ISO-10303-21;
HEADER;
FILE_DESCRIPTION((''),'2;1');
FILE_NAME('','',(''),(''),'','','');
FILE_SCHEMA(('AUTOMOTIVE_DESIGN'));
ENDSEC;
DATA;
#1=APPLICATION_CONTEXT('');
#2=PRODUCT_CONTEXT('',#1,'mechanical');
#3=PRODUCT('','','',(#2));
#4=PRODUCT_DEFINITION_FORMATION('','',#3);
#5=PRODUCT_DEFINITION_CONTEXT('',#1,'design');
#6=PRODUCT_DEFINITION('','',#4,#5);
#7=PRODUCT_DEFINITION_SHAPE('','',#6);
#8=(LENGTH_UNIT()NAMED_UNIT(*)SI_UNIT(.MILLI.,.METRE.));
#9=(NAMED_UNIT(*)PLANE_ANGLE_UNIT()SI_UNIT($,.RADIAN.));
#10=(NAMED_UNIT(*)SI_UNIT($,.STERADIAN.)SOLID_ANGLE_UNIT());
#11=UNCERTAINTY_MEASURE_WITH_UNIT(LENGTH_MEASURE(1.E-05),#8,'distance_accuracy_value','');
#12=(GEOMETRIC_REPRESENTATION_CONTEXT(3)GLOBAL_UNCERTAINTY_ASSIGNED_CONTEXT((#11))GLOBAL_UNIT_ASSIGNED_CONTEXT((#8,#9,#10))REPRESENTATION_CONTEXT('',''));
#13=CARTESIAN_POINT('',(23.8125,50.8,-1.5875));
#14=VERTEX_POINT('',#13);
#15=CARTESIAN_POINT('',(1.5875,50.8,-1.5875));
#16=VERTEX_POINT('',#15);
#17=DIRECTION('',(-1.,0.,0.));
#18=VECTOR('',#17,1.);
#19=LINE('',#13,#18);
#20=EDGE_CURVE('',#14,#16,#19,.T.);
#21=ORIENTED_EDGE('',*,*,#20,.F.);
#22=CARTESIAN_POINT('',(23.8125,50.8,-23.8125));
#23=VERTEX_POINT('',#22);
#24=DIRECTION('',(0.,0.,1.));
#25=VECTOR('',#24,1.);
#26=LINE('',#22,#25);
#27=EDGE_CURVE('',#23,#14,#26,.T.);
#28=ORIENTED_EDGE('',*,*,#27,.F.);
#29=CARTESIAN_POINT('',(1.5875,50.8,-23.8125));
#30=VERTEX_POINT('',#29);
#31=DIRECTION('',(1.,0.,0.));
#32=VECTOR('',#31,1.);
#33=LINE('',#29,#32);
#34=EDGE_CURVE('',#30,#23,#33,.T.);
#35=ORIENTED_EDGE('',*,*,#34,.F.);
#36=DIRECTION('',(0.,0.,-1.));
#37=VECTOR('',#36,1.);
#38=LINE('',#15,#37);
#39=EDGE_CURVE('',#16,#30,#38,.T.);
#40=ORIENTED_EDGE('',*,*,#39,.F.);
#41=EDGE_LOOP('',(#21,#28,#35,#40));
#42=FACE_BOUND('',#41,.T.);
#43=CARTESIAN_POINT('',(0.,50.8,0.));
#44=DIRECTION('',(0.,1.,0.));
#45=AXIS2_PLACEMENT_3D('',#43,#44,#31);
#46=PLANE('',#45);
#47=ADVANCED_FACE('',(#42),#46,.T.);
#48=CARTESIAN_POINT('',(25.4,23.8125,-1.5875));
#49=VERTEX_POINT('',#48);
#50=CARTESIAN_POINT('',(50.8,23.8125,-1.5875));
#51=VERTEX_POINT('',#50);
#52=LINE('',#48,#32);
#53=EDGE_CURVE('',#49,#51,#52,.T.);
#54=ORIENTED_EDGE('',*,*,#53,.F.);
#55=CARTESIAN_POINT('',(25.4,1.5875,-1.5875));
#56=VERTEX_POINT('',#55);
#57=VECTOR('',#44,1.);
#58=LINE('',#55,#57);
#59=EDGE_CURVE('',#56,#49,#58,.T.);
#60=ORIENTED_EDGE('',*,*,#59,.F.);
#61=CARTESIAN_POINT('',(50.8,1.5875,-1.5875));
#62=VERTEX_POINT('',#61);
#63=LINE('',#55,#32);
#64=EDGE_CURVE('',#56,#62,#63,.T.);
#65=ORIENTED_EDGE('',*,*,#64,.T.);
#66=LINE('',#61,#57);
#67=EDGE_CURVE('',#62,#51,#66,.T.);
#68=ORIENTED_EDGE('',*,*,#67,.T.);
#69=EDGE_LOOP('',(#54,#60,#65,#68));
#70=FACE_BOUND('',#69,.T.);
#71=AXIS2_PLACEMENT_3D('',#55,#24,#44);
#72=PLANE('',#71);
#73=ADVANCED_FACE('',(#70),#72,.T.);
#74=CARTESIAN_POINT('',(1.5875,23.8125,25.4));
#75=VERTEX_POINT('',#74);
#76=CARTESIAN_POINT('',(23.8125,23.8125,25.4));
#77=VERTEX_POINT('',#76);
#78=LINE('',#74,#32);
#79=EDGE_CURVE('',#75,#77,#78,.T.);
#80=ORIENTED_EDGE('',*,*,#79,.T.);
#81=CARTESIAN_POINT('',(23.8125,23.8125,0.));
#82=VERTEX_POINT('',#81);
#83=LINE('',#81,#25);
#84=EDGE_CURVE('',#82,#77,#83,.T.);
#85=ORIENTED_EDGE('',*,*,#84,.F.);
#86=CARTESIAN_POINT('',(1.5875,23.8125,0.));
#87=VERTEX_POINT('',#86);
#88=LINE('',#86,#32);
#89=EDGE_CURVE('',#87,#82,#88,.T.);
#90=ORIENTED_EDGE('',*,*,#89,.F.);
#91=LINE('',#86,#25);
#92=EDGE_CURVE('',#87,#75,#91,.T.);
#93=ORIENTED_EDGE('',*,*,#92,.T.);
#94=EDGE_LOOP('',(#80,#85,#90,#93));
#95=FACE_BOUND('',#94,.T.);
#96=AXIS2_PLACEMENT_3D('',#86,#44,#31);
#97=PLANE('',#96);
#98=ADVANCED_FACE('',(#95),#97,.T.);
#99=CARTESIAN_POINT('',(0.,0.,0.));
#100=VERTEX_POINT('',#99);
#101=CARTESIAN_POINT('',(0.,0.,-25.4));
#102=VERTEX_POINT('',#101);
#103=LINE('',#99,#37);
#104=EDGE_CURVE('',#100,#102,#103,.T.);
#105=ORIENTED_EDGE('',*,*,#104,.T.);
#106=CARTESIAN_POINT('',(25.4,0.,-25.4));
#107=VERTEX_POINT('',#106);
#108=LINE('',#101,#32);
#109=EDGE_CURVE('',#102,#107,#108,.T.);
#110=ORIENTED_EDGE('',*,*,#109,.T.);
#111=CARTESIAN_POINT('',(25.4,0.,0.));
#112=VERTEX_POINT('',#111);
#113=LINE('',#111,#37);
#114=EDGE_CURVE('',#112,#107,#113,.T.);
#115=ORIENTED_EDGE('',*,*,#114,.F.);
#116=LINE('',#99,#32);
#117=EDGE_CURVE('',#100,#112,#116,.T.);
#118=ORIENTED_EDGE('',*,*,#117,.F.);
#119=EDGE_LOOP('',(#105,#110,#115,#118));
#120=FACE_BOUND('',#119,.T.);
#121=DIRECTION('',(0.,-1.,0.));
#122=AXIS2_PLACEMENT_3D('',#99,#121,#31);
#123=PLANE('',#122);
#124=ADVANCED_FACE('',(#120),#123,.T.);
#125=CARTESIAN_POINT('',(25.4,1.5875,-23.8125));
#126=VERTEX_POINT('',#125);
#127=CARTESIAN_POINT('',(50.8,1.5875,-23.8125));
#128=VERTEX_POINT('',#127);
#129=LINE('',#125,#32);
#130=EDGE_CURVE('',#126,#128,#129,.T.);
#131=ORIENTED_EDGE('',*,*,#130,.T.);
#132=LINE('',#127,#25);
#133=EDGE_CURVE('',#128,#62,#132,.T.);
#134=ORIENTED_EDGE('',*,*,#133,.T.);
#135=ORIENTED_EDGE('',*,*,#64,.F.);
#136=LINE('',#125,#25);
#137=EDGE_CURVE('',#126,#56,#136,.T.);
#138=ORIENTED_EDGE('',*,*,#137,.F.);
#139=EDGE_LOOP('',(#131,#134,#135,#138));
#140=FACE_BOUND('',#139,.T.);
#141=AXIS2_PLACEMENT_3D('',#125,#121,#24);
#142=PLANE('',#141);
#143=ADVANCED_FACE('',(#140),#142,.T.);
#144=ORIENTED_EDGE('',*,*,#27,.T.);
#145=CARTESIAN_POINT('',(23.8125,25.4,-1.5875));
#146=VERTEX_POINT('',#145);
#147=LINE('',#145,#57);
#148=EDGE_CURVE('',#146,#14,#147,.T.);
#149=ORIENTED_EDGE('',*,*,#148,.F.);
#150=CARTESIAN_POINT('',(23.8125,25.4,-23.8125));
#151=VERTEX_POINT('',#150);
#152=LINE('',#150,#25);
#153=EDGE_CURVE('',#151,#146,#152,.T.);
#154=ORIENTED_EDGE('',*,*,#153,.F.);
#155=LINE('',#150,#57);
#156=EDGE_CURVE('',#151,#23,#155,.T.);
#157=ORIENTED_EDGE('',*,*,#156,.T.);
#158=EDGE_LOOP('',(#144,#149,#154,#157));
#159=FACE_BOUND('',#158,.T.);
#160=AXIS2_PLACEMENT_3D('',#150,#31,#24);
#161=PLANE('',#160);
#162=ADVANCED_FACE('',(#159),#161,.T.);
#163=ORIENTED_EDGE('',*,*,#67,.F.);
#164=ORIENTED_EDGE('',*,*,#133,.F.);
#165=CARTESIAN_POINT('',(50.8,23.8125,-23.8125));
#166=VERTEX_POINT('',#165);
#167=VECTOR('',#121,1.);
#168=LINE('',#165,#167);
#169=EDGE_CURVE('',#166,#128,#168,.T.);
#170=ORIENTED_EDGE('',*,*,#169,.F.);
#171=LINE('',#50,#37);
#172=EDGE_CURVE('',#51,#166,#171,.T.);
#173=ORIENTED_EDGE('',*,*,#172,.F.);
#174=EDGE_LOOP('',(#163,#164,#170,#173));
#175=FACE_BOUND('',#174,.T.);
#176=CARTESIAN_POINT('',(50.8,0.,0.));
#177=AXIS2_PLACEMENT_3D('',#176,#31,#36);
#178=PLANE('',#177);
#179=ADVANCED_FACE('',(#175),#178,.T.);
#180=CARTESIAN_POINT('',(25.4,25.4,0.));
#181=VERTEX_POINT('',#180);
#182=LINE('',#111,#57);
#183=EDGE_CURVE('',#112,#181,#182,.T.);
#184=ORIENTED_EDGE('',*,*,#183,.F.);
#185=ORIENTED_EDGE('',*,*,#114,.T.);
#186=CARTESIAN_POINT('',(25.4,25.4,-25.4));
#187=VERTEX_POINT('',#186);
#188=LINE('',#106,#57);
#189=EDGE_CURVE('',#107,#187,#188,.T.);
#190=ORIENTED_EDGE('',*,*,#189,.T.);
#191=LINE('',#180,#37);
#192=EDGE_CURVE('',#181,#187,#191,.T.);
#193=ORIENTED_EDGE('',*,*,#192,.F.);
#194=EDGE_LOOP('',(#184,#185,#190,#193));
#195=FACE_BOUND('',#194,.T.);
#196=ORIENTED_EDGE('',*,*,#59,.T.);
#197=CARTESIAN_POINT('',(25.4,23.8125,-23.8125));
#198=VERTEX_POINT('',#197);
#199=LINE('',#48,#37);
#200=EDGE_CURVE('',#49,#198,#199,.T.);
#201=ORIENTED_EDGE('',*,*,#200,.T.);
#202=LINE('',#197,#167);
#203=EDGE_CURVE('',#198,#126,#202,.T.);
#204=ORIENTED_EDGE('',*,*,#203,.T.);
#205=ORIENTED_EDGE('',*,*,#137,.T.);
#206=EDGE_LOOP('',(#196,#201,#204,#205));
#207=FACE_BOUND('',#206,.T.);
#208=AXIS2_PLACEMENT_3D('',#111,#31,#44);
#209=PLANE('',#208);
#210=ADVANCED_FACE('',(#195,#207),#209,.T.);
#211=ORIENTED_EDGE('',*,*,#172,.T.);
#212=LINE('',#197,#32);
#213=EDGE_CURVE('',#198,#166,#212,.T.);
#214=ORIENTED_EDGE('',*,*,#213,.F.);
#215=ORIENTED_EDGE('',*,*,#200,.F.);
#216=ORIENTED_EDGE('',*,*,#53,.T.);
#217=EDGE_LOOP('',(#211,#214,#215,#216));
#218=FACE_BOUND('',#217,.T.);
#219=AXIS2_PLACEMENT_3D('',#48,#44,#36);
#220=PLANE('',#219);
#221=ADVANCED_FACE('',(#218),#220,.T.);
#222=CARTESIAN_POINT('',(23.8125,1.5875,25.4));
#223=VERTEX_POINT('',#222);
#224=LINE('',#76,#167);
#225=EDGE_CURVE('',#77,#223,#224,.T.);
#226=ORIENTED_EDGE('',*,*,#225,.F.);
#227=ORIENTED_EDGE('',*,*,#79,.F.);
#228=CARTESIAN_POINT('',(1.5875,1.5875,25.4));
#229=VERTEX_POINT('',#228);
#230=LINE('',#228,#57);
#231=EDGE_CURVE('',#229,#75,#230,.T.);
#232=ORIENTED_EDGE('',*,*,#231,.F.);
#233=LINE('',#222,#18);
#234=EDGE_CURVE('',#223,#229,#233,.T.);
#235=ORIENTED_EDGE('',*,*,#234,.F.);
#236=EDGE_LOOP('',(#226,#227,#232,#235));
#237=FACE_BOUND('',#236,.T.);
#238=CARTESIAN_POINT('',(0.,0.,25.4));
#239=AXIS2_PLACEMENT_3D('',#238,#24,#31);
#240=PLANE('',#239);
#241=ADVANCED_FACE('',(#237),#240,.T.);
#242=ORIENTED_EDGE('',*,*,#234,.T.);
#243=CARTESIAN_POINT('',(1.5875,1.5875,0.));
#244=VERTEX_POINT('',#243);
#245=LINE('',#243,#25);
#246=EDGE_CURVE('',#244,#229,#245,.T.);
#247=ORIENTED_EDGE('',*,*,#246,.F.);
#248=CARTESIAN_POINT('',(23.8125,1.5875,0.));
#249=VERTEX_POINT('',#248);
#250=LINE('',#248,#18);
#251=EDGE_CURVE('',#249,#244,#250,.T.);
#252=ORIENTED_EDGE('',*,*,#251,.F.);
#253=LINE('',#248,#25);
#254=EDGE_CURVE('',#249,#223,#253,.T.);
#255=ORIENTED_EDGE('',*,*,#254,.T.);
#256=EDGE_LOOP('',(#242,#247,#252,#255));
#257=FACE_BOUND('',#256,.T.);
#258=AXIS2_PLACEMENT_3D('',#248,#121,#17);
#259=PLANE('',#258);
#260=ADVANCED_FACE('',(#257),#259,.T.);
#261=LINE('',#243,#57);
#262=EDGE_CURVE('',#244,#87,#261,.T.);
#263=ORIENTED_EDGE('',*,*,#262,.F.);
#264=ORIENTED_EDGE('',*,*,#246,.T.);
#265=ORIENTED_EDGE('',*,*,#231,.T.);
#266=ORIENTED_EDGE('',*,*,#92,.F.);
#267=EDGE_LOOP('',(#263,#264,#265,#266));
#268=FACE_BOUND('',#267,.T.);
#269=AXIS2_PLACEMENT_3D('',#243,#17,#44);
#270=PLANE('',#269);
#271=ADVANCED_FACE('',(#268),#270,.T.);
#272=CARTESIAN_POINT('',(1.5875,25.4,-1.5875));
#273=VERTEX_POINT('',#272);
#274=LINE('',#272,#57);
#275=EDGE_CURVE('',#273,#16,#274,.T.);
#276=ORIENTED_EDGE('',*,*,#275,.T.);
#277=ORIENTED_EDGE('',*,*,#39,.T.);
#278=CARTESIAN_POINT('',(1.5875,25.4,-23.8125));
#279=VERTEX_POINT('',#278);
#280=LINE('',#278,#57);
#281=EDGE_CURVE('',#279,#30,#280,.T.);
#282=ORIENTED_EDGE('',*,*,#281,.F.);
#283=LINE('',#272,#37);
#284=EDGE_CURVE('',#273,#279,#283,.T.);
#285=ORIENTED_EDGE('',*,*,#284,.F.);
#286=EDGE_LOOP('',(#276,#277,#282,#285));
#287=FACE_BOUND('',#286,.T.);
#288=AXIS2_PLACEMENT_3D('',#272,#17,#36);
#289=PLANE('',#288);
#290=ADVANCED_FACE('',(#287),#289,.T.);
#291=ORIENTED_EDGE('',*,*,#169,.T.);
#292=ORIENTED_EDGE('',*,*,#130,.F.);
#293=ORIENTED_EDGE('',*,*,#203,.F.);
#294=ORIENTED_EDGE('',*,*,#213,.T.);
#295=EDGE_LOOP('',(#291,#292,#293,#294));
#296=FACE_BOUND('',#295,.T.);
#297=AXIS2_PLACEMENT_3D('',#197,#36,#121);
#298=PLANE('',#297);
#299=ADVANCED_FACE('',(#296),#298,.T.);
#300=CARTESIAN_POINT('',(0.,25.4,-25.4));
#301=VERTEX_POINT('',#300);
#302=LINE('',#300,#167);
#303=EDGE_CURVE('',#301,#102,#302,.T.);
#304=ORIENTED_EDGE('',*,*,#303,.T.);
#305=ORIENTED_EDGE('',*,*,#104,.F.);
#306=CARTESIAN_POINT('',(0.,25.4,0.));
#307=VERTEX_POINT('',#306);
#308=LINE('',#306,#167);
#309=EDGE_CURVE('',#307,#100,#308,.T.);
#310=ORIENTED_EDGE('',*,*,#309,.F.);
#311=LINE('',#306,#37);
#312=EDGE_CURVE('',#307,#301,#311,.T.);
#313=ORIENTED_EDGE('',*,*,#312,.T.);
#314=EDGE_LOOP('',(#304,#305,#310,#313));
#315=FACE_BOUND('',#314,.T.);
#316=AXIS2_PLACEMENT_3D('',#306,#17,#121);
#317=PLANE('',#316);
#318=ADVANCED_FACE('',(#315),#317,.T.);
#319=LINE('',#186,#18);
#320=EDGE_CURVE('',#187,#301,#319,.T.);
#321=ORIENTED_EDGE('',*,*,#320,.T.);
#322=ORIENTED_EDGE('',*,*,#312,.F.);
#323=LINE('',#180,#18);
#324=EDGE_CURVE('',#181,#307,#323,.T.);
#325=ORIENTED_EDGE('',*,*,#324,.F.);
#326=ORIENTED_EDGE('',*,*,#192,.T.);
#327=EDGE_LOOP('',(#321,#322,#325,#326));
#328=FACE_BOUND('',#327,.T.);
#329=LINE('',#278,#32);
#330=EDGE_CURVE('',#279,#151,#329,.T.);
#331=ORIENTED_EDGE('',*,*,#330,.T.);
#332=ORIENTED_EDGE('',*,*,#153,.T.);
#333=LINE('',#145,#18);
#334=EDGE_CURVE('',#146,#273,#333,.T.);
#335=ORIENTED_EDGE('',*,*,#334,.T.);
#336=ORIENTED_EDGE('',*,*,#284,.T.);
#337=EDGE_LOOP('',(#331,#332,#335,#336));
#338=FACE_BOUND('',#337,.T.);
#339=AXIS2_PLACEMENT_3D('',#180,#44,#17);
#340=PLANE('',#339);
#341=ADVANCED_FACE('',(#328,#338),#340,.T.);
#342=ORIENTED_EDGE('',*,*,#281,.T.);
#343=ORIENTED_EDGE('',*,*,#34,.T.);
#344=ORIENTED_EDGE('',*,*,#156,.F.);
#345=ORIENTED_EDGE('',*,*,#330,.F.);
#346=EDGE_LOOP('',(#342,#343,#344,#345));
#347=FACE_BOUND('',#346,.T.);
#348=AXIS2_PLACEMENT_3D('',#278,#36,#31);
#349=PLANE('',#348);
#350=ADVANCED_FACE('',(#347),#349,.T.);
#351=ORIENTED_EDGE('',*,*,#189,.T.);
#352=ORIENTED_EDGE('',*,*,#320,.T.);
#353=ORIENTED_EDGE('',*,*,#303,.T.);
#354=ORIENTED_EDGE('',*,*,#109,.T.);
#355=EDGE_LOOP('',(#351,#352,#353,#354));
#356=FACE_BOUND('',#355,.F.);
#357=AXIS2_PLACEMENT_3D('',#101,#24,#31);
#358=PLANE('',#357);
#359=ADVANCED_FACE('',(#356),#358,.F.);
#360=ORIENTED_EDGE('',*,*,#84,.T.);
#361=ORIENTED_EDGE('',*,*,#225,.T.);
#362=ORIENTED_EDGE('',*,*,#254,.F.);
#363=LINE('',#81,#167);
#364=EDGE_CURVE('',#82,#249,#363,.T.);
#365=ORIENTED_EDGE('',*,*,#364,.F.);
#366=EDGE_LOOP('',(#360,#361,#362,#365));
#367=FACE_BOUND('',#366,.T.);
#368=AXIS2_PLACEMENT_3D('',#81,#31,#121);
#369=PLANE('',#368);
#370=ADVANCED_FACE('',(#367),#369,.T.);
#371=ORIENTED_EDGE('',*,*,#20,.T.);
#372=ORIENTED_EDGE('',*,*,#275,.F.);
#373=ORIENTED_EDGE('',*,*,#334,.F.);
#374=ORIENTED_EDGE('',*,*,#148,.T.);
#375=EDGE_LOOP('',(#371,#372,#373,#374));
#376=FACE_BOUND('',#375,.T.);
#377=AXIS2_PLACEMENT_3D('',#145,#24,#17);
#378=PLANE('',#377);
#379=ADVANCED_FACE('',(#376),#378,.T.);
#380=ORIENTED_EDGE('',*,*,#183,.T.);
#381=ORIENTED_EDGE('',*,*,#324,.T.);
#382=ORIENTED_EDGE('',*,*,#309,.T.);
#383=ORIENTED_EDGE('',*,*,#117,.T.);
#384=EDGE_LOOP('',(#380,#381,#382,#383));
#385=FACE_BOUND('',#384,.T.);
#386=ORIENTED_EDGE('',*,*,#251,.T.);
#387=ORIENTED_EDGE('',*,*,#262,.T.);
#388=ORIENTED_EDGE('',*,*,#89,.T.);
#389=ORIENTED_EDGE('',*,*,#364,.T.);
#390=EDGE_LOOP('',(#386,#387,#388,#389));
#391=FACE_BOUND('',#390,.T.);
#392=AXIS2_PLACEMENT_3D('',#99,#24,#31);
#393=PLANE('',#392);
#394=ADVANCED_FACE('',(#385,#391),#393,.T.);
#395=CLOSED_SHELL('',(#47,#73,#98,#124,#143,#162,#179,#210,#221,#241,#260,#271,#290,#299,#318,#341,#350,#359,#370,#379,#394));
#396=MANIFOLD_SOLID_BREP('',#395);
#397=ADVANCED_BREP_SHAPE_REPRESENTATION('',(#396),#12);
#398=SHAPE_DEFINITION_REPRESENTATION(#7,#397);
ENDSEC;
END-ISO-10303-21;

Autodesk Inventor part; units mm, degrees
ref_plane "YZ Plane" through (0, 0, 0) normal (1, 0, 0) x (0, 1, 0)
ref_plane "XZ Plane" through (0, 0, 0) normal (0, 1, 0) x (-1, 0, 0)
ref_plane "XY Plane" through (0, 0, 0) normal (0, 0, 1) x (1, 0, 0)
sketch "Sketch1" plane through (0, 0, 0) normal (0, 0, 1) x (1, 0, 0)
  line L0 (0, 0) -> (25.4, 0)
  line L1 (25.4, 0) -> (25.4, 25.4)
  line L2 (25.4, 25.4) -> (0, 25.4)
  line L3 (0, 25.4) -> (0, 0)
  line L4 (1.5875, 23.8125) -> (23.8125, 23.8125)
  line L5 (23.8125, 23.8125) -> (23.8125, 1.5875)
  line L6 (23.8125, 1.5875) -> (1.5875, 1.5875)
  line L7 (1.5875, 1.5875) -> (1.5875, 23.8125)
  dimension "d0" = 25.4
  dimension "d1" = 25.4
  dimension "d4" = 1.5875
extrude "Extrusion1" add sketch "Sketch1" against normal blind 25.4 contours L3 L2 L1 L0 | L4 L5 L6 L7
extrude "Extrusion2" add sketch "Sketch1" along normal blind 25.4 contours L4 L5 L6 L7
sketch "Sketch2" plane through (25.4, 0, 0) normal (1, 0, 0) x (0, 0, -1)
  line L0 (25.4, 0) -> (25.4, 25.4) projected
  line L1 (0, 25.4) -> (25.4, 25.4) projected
  line L2 (0, 0) -> (0, 25.4) projected
  line L3 (0, 0) -> (25.4, 0) projected
  line L4 (23.8125, 23.8125) -> (23.8125, 1.5875)
  line L5 (23.8125, 1.5875) -> (1.5875, 1.5875)
  line L6 (1.5875, 1.5875) -> (1.5875, 23.8125)
  line L7 (1.5875, 23.8125) -> (23.8125, 23.8125)
  dimension "d8" = 1.5875
sketch "Sketch3" plane through (0, 25.4, 0) normal (0, 1, 0) x (1, 0, 0)
  line L0 (25.4, 25.4) -> (0, 25.4) projected
  line L1 (0, 0) -> (0, 25.4) projected
  line L2 (25.4, 0) -> (0, 0) projected
  line L3 (25.4, 0) -> (25.4, 25.4) projected
  line L4 (1.5875, 23.8125) -> (23.8125, 23.8125)
  line L5 (23.8125, 23.8125) -> (23.8125, 1.5875)
  line L6 (23.8125, 1.5875) -> (1.5875, 1.5875)
  line L7 (1.5875, 1.5875) -> (1.5875, 23.8125)
  dimension "d9" = 1.5875
extrude "Extrusion3" add sketch "Sketch2" along normal blind 25.4 contours L4 L5 L6 L7
extrude "Extrusion4" add sketch "Sketch3" along normal blind 25.4 contours L4 L5 L6 L7
properties part number "3-way corner"
